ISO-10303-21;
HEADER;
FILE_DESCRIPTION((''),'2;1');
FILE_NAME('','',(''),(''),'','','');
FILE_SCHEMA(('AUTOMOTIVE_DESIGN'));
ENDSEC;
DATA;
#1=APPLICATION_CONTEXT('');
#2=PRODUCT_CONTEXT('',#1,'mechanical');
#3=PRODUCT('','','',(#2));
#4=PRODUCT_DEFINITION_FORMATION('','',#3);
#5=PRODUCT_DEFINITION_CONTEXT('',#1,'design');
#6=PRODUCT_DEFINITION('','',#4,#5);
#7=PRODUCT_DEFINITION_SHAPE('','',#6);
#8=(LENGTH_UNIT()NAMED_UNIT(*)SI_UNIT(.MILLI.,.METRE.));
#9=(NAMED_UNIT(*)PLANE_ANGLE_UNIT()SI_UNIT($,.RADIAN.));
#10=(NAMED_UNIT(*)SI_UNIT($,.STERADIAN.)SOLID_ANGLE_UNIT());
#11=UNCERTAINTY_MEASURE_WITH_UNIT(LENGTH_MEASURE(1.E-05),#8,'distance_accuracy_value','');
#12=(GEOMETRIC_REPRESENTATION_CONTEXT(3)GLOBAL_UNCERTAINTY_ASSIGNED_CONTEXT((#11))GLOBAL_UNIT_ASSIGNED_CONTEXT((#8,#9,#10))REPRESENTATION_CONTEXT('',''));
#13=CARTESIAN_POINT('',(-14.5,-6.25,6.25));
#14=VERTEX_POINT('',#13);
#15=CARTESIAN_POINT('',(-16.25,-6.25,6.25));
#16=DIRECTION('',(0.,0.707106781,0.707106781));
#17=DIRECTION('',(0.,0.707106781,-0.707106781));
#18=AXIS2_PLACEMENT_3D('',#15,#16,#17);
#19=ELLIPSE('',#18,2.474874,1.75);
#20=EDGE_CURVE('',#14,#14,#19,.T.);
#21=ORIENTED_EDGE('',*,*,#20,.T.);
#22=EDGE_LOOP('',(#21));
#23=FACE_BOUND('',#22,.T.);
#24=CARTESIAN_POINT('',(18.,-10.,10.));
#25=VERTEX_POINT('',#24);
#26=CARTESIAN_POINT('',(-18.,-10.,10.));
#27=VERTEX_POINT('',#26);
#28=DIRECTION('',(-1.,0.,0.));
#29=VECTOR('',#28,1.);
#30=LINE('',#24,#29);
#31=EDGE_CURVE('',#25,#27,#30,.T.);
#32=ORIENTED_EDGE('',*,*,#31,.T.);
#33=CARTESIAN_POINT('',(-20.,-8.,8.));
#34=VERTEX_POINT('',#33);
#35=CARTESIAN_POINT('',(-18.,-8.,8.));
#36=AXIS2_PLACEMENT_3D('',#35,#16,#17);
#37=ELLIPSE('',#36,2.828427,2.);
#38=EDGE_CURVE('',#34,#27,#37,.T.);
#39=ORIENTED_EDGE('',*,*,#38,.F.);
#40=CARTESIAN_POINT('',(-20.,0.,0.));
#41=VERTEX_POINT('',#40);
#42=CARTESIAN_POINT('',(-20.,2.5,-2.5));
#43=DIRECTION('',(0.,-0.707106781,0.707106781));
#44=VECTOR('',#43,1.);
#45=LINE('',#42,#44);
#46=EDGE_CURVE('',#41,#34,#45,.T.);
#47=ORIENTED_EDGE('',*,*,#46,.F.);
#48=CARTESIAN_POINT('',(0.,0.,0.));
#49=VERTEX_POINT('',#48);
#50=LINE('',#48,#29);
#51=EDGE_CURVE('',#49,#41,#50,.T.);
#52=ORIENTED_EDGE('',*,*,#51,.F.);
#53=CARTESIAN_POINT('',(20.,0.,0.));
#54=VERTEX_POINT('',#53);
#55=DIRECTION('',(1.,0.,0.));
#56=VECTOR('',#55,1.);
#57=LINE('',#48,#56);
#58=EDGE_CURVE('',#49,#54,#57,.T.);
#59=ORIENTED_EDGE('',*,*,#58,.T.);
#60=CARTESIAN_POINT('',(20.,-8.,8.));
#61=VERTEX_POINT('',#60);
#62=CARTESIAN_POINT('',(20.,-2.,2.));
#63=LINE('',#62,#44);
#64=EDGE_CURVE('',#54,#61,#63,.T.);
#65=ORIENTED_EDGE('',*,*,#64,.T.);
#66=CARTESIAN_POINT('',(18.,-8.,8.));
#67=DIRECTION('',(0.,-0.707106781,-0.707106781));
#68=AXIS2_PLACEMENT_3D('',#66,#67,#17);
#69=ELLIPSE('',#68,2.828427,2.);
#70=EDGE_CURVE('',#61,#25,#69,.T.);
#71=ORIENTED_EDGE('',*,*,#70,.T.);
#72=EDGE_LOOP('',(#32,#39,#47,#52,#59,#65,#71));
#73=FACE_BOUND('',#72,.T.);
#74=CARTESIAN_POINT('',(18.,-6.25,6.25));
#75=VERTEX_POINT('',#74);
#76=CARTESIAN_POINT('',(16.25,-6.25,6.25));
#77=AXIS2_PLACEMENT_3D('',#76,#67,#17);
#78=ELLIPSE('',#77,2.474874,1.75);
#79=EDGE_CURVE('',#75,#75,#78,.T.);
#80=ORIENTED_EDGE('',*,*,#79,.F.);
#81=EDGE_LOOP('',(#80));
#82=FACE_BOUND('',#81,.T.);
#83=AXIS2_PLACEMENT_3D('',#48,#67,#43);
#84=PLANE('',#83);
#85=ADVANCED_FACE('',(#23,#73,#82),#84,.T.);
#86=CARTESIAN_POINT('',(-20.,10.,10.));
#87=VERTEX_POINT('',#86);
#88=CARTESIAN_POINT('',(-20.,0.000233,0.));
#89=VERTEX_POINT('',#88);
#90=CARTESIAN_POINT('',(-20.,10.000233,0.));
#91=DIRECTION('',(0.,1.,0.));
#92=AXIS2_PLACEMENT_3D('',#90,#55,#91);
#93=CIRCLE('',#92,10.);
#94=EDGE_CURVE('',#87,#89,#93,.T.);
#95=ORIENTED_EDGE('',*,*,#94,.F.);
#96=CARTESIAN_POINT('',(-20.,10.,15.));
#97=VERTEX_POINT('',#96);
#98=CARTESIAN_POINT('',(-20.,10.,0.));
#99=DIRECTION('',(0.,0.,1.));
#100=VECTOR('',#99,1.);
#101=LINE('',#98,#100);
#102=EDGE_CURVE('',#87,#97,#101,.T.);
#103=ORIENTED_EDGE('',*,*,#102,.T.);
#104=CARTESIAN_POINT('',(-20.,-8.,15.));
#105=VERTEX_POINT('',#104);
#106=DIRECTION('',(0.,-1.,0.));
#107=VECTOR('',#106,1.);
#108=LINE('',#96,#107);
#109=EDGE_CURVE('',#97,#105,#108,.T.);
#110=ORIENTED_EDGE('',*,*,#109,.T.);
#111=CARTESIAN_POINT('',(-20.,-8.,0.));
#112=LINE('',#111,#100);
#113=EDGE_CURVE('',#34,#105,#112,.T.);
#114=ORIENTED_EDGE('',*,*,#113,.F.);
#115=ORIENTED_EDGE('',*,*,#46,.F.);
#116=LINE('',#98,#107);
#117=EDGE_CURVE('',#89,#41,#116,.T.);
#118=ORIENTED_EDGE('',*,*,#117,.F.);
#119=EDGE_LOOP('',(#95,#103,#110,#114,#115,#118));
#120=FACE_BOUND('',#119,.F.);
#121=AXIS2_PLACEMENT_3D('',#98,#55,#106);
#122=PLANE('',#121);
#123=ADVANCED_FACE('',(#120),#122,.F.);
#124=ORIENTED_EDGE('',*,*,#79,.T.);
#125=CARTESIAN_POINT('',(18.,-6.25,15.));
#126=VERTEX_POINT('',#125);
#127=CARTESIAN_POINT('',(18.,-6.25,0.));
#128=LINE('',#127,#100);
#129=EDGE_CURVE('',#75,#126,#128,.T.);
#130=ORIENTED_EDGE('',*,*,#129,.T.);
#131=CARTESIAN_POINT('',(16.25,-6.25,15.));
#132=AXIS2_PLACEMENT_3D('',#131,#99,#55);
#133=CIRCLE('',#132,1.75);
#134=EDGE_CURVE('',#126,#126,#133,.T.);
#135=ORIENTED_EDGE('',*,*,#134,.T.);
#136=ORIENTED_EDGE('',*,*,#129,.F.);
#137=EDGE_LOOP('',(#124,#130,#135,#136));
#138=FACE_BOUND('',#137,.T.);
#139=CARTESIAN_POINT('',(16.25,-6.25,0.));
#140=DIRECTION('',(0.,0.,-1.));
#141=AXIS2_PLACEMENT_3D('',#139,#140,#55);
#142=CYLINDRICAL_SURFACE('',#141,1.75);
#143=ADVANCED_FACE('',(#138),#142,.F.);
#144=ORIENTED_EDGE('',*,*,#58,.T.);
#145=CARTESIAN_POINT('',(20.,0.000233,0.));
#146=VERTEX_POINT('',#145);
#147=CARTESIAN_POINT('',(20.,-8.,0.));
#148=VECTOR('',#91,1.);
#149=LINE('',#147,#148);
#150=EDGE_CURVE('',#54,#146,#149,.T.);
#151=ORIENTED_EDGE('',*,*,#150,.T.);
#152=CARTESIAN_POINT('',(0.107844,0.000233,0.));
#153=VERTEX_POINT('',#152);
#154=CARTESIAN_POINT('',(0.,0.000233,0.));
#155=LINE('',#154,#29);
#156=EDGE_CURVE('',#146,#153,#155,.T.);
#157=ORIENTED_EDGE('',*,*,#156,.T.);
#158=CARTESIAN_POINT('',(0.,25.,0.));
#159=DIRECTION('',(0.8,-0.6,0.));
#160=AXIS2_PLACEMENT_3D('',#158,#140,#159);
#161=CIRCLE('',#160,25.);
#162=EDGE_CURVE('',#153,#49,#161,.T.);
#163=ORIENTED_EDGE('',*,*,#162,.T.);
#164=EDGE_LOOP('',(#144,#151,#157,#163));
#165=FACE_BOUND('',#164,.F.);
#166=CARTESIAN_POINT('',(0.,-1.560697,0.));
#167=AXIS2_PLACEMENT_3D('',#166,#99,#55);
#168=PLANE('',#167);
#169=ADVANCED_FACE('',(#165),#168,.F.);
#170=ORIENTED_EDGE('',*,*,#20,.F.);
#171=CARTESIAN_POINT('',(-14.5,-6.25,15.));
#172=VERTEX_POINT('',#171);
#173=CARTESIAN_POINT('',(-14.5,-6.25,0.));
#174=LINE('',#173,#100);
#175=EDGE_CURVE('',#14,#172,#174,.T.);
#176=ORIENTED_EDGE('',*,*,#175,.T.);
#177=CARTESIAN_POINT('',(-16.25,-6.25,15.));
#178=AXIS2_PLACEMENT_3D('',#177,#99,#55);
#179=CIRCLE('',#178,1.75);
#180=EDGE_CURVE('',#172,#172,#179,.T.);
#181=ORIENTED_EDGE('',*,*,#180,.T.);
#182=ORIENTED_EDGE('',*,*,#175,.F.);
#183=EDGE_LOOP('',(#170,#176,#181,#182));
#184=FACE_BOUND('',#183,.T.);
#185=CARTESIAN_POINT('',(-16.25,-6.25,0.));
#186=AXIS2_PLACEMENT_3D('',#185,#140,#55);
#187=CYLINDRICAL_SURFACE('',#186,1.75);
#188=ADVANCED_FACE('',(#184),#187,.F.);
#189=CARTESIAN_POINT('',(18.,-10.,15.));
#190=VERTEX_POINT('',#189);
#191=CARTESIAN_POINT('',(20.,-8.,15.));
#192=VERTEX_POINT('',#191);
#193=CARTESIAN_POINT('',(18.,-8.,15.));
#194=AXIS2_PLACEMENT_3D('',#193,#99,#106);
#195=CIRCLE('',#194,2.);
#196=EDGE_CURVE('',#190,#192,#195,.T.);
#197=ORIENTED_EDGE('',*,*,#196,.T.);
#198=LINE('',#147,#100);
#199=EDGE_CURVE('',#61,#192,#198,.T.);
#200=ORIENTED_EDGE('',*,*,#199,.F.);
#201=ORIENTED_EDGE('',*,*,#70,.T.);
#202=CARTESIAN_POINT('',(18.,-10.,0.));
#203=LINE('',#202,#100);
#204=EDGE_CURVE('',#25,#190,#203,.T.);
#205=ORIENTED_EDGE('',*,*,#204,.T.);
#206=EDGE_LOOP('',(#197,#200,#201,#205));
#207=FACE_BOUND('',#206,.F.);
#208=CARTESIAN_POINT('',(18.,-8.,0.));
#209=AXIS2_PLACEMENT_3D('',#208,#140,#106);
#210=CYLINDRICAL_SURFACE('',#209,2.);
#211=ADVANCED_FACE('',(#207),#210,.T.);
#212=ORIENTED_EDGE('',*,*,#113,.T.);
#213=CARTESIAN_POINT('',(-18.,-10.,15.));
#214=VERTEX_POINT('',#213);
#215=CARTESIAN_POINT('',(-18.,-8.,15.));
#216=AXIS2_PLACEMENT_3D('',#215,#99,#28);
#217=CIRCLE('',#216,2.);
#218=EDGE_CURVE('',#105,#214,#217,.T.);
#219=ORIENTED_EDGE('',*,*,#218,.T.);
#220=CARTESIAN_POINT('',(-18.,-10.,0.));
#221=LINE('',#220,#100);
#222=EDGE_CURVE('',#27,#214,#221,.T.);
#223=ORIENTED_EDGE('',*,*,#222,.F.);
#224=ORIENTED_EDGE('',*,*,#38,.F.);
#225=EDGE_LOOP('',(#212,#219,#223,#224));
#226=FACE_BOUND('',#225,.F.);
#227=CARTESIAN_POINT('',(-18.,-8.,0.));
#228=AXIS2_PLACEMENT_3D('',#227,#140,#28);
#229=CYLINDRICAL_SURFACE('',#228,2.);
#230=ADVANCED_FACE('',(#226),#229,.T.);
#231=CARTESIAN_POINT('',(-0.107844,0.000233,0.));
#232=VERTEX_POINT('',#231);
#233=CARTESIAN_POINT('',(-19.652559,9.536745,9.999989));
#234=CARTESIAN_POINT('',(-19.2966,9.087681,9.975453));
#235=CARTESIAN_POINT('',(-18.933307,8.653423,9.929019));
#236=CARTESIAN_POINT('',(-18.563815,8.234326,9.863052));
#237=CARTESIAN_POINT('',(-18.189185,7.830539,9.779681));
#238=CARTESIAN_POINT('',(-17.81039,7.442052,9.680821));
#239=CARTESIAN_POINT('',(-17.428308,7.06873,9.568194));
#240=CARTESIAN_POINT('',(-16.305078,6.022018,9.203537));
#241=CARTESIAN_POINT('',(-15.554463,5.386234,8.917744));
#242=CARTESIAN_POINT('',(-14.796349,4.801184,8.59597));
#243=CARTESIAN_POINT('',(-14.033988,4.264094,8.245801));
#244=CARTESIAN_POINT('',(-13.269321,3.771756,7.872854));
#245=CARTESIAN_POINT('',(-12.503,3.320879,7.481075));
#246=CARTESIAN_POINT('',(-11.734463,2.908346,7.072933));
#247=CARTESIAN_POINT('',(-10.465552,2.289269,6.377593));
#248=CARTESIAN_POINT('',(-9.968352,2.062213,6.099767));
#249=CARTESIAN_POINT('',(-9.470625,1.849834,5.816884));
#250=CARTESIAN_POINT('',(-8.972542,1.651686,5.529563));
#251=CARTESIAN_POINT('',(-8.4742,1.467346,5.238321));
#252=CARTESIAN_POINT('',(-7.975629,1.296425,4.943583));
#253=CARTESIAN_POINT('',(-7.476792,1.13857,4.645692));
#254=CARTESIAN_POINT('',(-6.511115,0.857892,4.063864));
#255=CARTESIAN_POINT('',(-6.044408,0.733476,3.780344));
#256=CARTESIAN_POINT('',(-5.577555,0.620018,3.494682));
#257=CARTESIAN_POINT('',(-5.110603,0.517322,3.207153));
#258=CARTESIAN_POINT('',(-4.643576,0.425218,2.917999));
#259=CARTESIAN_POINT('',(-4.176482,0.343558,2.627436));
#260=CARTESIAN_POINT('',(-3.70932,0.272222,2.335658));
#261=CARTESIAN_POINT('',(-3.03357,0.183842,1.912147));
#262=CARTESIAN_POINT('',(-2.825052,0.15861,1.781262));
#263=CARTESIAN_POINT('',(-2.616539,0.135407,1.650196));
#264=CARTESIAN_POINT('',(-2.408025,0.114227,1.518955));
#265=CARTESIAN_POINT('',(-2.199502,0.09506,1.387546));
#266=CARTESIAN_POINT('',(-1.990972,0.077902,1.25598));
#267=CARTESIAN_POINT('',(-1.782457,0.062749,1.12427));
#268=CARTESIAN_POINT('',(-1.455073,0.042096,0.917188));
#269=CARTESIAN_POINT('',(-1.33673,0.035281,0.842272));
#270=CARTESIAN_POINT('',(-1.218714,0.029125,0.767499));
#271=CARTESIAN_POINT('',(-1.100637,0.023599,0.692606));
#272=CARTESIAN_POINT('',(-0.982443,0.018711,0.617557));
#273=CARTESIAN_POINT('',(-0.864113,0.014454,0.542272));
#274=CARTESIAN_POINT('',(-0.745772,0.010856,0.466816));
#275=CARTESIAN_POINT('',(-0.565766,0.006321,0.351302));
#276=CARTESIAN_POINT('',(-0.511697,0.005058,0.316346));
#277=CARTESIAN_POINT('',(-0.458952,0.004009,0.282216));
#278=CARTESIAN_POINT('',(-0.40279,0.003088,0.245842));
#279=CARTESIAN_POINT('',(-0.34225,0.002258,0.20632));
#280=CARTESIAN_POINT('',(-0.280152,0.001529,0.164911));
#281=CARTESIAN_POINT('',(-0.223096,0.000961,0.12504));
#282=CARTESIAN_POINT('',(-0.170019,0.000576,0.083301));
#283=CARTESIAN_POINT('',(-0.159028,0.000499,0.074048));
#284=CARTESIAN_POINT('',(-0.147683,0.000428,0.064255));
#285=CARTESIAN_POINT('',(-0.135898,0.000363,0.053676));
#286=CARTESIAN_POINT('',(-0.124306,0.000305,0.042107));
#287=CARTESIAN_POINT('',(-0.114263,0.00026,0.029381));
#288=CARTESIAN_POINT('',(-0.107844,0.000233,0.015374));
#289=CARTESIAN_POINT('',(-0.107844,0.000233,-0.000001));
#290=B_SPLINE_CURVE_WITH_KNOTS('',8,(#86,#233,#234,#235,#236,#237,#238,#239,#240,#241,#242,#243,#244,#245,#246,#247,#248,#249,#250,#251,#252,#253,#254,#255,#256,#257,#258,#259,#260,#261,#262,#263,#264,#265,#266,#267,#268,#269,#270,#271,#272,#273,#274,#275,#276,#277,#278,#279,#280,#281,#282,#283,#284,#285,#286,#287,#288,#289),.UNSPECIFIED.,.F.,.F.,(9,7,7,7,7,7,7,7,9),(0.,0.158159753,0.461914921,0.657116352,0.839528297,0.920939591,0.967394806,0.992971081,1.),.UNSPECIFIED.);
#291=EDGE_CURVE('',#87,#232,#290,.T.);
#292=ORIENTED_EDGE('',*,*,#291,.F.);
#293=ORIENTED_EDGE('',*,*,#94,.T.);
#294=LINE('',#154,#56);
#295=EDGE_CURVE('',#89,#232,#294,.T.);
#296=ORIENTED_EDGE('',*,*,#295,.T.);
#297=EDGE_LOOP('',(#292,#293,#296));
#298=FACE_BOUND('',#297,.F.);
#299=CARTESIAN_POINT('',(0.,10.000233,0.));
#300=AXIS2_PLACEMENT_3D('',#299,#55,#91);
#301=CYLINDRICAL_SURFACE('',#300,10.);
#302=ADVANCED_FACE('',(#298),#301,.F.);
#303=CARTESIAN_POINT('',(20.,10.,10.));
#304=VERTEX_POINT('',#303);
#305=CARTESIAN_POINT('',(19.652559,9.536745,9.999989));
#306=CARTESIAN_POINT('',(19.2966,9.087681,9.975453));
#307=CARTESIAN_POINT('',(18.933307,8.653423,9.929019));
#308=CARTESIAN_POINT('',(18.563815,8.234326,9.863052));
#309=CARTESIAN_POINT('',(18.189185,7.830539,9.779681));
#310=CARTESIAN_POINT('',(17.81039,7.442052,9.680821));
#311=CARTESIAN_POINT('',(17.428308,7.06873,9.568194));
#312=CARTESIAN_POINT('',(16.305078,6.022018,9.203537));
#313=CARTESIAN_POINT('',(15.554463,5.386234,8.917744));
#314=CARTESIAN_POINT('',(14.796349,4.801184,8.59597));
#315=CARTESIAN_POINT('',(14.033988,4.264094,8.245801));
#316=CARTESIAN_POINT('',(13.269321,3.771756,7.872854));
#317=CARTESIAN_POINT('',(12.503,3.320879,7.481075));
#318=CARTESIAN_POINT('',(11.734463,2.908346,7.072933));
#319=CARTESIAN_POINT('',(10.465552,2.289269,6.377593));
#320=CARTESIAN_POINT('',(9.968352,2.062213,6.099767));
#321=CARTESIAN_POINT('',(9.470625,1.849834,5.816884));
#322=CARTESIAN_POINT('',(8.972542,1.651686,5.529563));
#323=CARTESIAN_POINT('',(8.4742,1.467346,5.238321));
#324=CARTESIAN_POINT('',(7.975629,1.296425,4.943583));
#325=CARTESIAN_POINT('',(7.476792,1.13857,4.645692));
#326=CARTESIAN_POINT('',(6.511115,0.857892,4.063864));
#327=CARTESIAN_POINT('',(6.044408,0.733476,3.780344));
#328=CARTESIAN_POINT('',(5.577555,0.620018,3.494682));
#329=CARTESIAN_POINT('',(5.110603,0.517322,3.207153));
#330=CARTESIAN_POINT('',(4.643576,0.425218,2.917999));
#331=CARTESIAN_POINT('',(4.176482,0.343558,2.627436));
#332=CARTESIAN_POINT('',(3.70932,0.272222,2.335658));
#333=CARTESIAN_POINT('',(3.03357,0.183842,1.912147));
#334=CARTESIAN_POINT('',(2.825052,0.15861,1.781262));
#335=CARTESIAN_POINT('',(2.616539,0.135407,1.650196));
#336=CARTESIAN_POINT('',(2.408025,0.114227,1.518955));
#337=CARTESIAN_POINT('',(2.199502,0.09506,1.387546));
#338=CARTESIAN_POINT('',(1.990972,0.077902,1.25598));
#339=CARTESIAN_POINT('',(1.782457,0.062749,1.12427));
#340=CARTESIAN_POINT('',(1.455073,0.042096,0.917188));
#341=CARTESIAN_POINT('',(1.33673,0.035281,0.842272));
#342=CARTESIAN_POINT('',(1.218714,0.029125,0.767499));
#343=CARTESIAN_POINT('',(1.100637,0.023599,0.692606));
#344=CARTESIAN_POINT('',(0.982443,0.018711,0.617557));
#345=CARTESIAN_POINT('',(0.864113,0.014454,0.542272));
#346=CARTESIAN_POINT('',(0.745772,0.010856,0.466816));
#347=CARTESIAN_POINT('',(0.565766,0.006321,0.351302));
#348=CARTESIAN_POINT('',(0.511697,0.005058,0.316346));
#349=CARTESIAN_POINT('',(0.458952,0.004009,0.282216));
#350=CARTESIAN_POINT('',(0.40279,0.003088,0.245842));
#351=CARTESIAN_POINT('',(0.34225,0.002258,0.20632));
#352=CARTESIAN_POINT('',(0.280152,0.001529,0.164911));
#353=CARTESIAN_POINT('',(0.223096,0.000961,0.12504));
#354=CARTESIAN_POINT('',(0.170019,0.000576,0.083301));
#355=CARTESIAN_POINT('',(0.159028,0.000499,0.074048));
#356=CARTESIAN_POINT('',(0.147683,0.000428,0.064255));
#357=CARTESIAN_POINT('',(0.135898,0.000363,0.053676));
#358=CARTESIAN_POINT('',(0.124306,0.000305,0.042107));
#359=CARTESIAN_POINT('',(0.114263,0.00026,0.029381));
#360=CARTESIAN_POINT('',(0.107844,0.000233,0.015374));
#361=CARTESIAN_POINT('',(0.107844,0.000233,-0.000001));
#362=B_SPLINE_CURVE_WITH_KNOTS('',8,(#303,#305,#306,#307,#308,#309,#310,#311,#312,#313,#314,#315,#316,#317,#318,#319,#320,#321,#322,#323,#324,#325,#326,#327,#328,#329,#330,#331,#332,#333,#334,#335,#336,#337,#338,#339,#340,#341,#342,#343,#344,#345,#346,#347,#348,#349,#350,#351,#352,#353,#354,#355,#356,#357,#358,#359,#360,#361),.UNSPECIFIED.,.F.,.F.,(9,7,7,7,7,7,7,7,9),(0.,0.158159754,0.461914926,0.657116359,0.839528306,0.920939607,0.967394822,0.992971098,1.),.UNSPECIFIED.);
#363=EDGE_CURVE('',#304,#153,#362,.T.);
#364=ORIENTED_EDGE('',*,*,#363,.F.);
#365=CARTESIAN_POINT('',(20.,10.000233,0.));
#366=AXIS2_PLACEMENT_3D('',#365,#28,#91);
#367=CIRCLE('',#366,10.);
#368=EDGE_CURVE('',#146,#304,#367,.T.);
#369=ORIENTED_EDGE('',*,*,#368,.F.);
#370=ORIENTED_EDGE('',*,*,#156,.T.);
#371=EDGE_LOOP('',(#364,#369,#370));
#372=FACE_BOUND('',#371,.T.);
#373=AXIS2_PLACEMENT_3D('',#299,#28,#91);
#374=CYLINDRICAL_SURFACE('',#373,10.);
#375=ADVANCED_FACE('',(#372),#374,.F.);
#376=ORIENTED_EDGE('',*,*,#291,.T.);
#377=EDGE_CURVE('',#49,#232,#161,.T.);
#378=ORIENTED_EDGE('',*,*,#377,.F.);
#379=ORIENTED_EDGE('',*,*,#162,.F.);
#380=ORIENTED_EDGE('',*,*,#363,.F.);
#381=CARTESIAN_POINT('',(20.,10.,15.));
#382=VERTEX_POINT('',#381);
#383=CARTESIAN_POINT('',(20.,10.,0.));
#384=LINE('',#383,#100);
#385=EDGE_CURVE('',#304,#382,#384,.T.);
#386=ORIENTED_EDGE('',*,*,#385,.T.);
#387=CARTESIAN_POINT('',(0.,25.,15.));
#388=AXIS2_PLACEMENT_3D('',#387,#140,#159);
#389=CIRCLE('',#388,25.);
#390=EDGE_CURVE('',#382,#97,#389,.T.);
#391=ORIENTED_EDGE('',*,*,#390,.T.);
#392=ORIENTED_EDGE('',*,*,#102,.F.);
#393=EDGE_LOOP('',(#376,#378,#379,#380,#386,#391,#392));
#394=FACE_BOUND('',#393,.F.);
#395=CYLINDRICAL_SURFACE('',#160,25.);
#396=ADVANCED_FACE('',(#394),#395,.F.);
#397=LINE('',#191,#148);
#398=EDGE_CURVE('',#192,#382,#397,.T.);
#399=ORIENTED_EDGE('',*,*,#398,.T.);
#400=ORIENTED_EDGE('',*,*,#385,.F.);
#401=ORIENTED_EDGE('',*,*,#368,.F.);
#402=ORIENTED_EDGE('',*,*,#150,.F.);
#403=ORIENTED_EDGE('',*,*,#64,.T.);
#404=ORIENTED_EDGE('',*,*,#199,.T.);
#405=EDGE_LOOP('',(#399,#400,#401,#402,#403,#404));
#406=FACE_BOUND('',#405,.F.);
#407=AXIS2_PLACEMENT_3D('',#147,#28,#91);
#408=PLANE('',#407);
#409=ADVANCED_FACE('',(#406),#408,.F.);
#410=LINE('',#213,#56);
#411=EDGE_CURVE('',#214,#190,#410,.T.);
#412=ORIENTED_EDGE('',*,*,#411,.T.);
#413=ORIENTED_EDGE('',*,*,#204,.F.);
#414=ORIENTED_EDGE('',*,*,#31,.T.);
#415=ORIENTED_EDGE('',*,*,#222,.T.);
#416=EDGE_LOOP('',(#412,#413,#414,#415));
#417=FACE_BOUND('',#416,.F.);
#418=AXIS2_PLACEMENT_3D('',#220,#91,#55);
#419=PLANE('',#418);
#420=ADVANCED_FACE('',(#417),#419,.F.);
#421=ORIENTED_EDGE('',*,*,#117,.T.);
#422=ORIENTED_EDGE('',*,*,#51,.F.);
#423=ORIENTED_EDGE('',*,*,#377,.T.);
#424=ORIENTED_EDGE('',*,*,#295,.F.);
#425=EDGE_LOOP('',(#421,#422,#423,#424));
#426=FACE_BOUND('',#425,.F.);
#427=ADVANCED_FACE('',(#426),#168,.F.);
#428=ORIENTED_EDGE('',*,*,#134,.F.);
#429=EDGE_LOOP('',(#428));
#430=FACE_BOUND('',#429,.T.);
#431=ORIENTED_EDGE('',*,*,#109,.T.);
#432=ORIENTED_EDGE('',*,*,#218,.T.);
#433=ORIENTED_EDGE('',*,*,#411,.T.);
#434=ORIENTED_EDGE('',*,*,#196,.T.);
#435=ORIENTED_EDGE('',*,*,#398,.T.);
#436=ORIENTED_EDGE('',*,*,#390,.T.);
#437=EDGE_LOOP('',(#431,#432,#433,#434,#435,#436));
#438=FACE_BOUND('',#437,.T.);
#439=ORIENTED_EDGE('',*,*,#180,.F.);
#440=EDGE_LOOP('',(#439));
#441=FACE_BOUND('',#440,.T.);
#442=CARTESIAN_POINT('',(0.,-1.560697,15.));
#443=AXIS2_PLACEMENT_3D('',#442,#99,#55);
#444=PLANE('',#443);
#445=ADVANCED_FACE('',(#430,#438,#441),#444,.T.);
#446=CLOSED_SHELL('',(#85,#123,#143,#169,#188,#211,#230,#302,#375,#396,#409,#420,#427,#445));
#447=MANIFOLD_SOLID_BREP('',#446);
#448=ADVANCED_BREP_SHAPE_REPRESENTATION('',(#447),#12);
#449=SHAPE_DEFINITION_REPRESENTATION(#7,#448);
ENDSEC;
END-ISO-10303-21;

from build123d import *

# Parameters (mm, degrees)
F0_R          = 1.75
F1_DEPTH      = 15
F2_R          = 10
F3_DEPTH      = 25
F3_DEPTH_BACK = 25


with BuildPart() as f1:
    # F0 (on Top) → F1 (new body)
    with BuildSketch(Plane.XY):
        with BuildLine():
            ThreePointArc((20, 10), (0, 0), (-20, 10))
            Line((-20, 10), (-20, -8))
            ThreePointArc((-20, -8), (-19.4142135624, -9.4142135624), (-18, -10))
            Line((-18, -10), (18, -10))
            ThreePointArc((18, -10), (19.4142135624, -9.4142135624), (20, -8))
            Line((20, -8), (20, 10))
        make_face()
        with Locations((-16.25, -6.25)):
            Circle(F0_R, mode=Mode.SUBTRACT)
        with Locations((16.25, -6.25)):
            Circle(F0_R, mode=Mode.SUBTRACT)
    extrude(amount=F1_DEPTH)

    # F2 (on Right) → F3 (cut, two sides)
    with BuildSketch(Plane.YZ) as f3_sk:
        with Locations((10.0002326071, 0)):
            Circle(F2_R)
        Polygon((-10, 10), (-10, 0), (0, 0), align=None)
    extrude(amount=-F3_DEPTH, mode=Mode.SUBTRACT)
    extrude(f3_sk.sketch, amount=F3_DEPTH_BACK, mode=Mode.SUBTRACT)


solid = f1.part
